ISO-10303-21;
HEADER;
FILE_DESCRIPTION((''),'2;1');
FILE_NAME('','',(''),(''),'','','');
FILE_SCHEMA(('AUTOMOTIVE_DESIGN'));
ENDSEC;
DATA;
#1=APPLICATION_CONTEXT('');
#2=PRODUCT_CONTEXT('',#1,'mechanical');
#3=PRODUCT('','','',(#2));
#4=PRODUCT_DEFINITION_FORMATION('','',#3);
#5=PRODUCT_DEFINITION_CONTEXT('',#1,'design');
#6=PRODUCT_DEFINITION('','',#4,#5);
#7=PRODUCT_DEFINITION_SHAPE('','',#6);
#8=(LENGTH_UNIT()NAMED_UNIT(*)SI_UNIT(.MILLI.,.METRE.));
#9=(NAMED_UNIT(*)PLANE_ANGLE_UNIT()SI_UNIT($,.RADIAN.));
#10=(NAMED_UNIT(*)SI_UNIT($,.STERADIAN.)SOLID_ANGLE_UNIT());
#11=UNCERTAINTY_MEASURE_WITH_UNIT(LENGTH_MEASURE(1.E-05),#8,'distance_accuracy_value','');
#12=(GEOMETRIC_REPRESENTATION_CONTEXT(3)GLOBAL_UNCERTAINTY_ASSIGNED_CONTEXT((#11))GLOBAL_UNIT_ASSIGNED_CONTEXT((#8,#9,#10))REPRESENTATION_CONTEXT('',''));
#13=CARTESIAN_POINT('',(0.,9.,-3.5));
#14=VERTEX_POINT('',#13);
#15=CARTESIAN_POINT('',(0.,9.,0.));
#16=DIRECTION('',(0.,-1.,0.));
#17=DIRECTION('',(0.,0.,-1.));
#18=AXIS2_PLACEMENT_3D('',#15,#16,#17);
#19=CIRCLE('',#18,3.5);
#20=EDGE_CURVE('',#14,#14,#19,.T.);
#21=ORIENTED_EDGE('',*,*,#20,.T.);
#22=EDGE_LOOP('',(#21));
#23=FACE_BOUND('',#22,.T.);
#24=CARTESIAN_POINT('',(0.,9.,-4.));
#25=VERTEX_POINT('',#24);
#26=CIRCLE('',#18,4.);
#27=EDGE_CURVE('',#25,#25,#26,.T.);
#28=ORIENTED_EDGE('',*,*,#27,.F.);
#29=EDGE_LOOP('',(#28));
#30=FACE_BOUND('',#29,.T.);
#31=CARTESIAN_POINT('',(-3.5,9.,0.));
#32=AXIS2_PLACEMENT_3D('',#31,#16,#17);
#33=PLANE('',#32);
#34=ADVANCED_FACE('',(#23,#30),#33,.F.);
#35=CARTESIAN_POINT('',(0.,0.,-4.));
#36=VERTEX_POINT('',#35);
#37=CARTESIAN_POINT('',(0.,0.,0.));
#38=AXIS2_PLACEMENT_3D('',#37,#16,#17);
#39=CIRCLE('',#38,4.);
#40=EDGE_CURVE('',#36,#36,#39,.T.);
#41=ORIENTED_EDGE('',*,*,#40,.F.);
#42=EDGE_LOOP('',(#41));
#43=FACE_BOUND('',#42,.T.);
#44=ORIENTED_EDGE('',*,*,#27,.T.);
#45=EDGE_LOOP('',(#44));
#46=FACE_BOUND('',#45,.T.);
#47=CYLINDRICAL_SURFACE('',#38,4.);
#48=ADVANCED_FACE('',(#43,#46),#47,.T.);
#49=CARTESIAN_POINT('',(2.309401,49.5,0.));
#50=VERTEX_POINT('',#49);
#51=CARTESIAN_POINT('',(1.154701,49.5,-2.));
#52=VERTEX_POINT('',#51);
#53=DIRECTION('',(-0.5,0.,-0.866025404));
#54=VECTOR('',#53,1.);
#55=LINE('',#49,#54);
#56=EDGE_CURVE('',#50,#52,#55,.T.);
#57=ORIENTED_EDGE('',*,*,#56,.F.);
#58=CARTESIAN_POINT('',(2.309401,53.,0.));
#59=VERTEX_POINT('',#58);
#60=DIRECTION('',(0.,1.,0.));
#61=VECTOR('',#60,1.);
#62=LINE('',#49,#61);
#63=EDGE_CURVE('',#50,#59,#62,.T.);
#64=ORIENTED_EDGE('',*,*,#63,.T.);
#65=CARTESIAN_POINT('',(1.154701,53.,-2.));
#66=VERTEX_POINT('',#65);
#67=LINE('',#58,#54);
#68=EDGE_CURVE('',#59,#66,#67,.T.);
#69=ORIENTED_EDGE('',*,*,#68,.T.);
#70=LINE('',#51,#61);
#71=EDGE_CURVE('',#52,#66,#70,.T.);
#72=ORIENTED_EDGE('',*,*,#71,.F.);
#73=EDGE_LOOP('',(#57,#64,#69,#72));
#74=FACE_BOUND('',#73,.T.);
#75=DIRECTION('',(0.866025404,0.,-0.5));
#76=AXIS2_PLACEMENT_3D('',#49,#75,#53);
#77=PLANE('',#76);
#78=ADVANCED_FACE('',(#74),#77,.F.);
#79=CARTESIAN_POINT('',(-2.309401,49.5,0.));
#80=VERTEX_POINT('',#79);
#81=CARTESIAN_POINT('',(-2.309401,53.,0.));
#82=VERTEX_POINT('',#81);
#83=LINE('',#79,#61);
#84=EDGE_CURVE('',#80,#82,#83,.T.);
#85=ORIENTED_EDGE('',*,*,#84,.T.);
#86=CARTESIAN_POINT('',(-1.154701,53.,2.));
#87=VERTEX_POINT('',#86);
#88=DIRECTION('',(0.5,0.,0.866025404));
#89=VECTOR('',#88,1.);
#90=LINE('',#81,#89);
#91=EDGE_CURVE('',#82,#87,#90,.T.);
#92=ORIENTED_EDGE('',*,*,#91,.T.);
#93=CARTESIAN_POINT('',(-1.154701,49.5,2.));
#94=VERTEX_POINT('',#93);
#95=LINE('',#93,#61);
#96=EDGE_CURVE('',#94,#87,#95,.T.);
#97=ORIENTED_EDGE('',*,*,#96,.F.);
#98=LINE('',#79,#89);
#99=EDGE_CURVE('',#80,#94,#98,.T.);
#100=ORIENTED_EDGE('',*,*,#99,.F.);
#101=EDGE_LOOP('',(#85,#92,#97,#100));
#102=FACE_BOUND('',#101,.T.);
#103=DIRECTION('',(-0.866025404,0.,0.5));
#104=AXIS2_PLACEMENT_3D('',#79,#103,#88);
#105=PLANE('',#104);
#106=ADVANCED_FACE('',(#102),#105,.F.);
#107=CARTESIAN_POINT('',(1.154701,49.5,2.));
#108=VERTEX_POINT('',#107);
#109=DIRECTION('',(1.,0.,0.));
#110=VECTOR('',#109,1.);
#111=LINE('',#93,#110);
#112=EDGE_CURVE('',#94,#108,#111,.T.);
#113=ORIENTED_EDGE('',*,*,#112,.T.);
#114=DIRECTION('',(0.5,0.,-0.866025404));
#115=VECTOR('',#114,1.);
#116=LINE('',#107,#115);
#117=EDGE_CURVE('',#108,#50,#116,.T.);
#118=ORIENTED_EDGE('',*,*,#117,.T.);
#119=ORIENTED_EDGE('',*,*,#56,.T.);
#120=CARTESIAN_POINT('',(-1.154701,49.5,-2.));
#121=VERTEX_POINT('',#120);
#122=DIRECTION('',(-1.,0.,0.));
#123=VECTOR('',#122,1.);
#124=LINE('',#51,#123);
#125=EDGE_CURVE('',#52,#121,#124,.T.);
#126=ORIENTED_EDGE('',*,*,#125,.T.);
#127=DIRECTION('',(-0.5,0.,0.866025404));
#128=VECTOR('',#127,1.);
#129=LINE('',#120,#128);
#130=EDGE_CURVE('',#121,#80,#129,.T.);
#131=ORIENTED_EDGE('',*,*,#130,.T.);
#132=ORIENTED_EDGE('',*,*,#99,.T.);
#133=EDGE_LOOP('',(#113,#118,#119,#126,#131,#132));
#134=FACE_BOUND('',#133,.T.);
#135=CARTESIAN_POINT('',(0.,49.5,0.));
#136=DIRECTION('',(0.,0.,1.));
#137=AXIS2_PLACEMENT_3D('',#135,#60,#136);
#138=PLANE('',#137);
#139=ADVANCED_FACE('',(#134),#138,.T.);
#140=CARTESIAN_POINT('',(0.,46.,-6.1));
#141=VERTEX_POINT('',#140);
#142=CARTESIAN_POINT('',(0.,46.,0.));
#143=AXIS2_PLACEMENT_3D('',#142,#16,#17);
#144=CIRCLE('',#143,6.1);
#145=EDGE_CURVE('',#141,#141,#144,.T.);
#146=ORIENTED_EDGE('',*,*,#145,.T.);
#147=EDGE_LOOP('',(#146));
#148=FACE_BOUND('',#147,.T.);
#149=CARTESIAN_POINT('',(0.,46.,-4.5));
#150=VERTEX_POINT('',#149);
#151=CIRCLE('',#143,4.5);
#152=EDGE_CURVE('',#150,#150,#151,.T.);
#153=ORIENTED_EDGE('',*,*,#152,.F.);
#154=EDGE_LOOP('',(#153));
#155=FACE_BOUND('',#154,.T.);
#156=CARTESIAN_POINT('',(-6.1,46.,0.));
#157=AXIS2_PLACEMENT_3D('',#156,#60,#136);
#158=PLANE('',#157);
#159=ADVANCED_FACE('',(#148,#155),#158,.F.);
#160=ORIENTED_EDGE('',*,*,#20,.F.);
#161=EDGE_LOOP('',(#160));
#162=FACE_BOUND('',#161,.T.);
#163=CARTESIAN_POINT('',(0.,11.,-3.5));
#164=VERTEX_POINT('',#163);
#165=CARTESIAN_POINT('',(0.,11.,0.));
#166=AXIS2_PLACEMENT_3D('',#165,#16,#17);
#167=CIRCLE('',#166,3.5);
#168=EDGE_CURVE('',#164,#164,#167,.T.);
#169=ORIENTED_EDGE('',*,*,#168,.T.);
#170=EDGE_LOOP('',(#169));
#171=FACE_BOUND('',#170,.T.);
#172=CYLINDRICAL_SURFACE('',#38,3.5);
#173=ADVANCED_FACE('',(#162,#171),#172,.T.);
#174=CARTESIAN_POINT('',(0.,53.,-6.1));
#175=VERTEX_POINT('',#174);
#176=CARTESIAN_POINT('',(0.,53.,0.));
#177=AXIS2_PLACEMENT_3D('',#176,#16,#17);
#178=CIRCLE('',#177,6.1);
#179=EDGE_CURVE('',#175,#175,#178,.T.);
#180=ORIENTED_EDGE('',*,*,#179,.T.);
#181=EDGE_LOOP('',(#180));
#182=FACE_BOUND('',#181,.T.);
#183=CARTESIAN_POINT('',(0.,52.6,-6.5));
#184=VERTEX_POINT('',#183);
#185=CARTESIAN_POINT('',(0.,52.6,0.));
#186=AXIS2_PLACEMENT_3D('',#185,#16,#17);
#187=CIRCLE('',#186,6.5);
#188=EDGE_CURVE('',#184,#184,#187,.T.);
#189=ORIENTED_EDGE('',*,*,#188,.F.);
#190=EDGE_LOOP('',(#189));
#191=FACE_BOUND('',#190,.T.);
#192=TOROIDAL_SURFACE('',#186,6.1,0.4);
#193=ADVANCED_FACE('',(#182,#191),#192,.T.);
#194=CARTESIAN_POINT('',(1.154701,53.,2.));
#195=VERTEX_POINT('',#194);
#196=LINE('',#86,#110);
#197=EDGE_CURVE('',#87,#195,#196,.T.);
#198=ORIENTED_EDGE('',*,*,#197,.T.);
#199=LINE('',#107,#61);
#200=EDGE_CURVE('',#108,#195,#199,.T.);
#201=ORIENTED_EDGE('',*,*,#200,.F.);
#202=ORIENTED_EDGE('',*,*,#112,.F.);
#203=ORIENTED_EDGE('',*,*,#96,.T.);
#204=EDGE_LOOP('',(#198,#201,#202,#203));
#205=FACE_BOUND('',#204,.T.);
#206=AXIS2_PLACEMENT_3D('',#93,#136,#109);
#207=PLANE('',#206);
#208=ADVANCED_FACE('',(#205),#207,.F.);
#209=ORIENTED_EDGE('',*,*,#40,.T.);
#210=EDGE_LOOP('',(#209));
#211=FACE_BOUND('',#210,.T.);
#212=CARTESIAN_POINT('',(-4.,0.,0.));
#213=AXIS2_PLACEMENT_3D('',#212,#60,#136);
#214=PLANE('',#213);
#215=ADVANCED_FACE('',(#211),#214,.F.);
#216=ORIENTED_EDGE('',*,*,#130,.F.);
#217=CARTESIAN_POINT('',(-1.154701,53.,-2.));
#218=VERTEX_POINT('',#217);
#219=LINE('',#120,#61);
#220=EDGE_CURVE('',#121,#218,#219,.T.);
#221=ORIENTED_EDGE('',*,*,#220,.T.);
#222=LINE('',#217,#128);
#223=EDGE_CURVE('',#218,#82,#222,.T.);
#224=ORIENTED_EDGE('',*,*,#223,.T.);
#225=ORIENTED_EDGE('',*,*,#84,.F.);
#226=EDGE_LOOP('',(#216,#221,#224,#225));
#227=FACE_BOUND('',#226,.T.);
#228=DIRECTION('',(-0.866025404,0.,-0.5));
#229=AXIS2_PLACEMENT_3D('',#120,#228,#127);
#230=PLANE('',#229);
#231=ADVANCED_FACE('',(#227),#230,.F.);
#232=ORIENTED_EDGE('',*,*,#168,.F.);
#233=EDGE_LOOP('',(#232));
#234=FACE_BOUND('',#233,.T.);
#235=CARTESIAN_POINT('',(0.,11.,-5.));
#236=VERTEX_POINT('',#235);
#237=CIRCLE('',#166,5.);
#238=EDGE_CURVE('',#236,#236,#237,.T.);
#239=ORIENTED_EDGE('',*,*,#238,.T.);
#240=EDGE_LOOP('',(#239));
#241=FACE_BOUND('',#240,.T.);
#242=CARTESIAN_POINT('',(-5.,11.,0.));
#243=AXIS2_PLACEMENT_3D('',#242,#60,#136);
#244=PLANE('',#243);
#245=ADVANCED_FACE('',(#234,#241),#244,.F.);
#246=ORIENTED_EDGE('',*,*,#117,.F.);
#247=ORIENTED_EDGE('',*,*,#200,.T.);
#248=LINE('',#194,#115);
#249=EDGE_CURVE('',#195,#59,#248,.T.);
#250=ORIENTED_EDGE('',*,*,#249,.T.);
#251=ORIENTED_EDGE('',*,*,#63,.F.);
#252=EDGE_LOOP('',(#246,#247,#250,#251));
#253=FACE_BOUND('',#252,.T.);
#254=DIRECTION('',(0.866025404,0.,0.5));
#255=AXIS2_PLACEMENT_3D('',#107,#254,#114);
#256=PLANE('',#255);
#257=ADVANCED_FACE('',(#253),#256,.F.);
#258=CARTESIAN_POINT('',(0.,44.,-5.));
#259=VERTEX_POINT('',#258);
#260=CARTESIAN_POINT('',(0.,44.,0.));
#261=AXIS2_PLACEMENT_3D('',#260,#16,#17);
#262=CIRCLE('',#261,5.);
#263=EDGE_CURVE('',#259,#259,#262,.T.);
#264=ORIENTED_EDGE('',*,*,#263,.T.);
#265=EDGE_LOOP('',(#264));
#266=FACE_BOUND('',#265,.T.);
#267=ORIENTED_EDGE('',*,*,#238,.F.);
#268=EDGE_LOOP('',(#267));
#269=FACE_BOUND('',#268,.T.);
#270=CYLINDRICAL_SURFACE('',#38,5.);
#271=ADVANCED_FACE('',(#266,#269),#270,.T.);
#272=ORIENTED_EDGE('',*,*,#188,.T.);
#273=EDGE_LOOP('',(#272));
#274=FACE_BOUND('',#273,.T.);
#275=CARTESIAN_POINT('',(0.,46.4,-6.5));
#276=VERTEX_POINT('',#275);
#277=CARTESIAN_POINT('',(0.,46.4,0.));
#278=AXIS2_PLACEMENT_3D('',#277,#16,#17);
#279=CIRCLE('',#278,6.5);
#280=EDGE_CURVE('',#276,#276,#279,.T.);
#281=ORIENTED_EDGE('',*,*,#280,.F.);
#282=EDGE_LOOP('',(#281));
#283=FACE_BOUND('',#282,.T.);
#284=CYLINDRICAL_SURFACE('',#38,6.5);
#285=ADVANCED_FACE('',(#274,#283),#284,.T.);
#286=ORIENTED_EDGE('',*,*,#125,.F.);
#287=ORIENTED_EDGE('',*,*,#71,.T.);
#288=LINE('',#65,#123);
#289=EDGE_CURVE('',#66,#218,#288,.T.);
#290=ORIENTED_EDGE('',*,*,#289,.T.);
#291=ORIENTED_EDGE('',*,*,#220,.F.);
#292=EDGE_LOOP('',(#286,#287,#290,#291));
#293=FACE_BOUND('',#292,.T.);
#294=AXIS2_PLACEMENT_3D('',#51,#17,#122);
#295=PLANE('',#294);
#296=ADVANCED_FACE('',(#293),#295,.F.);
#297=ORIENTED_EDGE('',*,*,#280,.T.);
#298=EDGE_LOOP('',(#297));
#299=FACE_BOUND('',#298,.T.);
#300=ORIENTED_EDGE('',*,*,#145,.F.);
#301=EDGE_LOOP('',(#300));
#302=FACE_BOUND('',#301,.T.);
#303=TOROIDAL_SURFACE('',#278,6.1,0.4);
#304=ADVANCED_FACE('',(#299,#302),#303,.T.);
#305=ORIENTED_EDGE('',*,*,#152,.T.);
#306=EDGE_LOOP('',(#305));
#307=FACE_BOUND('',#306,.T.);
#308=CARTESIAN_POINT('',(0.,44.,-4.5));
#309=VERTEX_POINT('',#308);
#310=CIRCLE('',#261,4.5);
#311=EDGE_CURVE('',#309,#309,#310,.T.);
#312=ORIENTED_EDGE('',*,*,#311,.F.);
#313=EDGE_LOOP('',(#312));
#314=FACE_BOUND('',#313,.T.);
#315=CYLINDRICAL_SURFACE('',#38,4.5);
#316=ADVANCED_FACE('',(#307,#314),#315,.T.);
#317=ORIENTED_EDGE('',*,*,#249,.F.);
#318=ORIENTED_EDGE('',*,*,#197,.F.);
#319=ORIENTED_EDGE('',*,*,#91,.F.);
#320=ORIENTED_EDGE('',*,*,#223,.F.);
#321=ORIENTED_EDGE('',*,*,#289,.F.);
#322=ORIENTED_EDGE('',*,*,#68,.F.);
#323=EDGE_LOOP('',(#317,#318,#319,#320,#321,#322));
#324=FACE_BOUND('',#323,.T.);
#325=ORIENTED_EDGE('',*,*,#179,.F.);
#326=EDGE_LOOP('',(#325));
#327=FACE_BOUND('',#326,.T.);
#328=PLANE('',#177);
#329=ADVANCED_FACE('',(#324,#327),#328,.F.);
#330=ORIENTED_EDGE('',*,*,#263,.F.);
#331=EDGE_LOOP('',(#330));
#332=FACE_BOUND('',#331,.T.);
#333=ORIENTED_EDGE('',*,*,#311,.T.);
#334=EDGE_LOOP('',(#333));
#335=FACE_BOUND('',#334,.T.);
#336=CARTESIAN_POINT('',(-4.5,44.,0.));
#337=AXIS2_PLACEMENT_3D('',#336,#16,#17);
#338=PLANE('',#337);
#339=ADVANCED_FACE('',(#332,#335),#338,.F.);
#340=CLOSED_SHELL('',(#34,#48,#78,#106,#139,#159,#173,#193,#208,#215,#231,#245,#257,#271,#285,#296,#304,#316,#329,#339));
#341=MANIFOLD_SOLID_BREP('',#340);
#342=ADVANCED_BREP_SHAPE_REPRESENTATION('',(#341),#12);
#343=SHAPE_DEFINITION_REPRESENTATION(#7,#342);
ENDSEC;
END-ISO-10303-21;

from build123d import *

# Parameters (mm, degrees)
CUT_EXTRUDE_1_DEPTH = 3.5


with BuildPart() as part:
    # 草图1 → 旋转1 (revolve)
    with BuildSketch(Plane.XY, mode=Mode.PRIVATE) as revolve_1_sk:
        with BuildLine():
            Line((0, 53), (-6.1, 53))
            ThreePointArc((-6.1, 53), (-6.382842712, 52.882842712), (-6.5, 52.6))
            Line((-6.5, 52.6), (-6.5, 46.4))
            ThreePointArc((-6.5, 46.4), (-6.382842712, 46.117157288), (-6.1, 46))
            Line((-6.1, 46), (-4.5, 46))
            Line((-4.5, 46), (-4.5, 44))
            Line((-4.5, 44), (-5, 44))
            Line((-5, 44), (-5, 11))
            Line((-5, 11), (-3.5, 11))
            Line((-3.5, 11), (-3.5, 9))
            Line((-3.5, 9), (-4, 9))
            Line((-4, 9), (-4, 0))
            Line((-4, 0), (0, 0))
            Line((0, 0), (0, 53))
        make_face()
    revolve(revolve_1_sk.sketch.rotate(Axis((0, 0, 0), (0, 1, 0)), 270), axis=Axis((0, 0, 0), (0, 1, 0)))

    # 草图2 → 切除-拉伸1 (cut)
    with BuildSketch(Plane(origin=(0, 53, 0), x_dir=(1, 0, 0), z_dir=(0, 1, 0))):
        Polygon((1.154700538, 2), (-1.154700538, 2), (-2.309401077, 0), (-1.154700538, -2), (1.154700538, -2), (2.309401077, 0), align=None)
    extrude(amount=-CUT_EXTRUDE_1_DEPTH, mode=Mode.SUBTRACT)


solid = part.part
